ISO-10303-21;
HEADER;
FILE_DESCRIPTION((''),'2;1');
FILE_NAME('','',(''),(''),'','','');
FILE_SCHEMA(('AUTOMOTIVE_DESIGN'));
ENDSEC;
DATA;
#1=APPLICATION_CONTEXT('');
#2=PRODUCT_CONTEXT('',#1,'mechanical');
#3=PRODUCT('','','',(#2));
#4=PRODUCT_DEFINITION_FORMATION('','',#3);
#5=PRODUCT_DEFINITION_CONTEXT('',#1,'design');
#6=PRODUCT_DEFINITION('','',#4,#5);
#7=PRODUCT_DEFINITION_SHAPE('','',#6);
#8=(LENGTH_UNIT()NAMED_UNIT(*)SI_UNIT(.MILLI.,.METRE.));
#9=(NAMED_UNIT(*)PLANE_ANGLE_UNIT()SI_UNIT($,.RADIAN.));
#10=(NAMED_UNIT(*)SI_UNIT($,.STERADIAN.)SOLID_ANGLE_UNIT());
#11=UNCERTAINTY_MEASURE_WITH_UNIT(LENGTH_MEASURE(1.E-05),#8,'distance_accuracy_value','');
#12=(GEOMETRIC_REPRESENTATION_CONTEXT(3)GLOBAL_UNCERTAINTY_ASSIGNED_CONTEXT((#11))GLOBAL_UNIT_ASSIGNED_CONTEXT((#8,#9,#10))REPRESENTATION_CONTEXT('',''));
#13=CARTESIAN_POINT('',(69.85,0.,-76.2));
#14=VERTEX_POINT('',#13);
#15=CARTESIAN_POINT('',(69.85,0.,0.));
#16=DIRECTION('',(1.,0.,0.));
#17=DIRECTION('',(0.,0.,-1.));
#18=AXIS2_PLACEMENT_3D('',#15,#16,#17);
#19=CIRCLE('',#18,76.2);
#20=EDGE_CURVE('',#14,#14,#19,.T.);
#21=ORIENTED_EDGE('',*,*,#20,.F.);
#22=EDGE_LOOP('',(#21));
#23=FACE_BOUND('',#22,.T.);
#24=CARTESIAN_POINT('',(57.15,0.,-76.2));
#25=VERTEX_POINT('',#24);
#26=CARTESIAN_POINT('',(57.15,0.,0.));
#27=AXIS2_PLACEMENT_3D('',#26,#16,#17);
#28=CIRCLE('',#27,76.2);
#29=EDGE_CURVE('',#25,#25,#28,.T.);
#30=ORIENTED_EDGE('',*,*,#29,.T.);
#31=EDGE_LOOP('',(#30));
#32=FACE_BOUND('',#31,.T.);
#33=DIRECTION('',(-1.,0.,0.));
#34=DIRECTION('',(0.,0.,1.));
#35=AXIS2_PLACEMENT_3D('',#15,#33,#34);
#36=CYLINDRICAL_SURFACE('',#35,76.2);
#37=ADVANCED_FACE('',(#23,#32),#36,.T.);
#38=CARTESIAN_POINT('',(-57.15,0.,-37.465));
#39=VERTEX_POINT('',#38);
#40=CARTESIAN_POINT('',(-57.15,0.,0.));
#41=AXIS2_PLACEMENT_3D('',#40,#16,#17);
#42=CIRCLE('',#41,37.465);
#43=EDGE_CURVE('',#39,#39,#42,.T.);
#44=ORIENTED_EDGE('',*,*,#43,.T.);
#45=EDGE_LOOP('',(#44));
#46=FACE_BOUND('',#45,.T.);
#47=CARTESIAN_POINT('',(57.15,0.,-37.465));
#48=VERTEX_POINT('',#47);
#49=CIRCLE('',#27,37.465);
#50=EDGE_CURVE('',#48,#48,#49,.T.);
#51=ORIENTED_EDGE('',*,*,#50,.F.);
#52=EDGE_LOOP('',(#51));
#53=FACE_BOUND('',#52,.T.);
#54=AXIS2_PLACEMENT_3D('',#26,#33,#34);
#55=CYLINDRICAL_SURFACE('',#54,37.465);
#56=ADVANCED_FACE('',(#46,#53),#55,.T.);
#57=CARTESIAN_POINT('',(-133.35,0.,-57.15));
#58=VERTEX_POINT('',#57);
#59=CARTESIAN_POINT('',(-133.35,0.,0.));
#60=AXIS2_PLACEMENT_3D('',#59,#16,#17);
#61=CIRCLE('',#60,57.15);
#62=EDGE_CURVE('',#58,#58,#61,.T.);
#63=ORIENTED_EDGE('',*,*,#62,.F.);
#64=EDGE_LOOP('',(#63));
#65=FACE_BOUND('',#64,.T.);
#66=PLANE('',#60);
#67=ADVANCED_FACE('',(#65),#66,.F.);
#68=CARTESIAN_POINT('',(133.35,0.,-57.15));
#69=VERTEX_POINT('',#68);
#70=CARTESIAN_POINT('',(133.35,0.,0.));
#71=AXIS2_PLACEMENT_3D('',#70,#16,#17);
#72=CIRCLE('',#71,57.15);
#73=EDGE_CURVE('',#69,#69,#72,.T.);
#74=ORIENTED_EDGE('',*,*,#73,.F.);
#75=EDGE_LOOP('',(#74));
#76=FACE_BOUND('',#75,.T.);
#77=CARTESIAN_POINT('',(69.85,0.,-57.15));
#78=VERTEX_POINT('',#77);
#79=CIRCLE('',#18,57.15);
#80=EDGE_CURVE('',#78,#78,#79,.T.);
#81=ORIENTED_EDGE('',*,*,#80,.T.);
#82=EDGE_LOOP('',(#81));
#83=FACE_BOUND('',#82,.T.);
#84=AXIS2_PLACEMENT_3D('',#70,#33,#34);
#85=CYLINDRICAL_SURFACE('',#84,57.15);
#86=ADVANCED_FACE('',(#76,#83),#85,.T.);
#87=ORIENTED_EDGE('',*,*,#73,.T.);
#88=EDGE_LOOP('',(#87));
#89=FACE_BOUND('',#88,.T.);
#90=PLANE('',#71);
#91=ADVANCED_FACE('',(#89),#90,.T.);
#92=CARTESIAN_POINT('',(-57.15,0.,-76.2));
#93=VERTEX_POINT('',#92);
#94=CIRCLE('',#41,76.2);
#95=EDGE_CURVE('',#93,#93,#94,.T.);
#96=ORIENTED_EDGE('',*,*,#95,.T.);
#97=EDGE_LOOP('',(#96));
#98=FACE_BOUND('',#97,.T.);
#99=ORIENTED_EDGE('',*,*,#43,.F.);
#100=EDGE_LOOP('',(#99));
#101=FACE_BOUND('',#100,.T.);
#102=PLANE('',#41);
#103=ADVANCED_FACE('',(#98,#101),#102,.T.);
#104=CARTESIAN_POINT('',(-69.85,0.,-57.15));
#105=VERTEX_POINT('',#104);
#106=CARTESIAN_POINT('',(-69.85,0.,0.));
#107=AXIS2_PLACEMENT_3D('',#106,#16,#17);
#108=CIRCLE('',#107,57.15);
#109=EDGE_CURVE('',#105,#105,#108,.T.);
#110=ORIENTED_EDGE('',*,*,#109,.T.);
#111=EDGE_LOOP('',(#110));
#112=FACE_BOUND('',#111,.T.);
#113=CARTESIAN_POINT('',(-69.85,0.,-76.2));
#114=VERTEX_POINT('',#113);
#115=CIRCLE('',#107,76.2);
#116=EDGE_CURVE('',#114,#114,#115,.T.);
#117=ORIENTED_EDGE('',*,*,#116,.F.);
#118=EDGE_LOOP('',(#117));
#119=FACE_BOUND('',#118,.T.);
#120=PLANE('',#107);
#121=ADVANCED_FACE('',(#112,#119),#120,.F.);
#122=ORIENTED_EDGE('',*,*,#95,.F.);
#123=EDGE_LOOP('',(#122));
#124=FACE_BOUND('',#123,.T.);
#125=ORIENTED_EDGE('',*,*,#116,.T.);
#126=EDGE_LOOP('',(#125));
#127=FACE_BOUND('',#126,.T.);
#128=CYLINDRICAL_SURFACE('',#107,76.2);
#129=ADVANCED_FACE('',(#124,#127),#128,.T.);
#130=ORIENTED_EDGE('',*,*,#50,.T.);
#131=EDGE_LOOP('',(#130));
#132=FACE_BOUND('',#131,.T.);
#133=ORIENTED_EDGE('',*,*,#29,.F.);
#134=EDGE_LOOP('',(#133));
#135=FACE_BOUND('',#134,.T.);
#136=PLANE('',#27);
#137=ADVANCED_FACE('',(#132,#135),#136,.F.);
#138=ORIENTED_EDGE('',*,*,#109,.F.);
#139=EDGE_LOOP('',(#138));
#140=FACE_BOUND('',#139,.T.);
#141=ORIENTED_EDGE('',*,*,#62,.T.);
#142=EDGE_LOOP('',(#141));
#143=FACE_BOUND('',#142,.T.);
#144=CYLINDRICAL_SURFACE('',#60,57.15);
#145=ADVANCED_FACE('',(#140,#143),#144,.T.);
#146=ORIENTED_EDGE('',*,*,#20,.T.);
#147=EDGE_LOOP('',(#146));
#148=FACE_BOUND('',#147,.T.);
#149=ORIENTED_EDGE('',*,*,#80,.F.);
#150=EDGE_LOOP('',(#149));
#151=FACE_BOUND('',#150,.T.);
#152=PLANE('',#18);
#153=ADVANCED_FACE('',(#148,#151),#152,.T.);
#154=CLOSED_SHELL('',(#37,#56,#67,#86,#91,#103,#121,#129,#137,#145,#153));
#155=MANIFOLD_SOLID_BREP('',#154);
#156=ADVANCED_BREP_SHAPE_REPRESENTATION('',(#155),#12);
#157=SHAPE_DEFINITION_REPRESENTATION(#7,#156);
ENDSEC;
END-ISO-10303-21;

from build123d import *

# Parameters (mm, degrees)
SKETCH1_R           = 37.465
BOSS_EXTRUDE1_DEPTH = 57.15
BOSS_EXTRUDE2_START = 69.85
SKETCH1_3_R         = 76.2
SKETCH1_3_R_2       = 57.15
SKETCH1_3_R_3       = 37.465
BOSS_EXTRUDE2_DEPTH = 12.7
BOSS_EXTRUDE3_START = 133.35
SKETCH1_4_R         = 57.15
SKETCH1_4_R_2       = 37.465
BOSS_EXTRUDE3_DEPTH = 63.5
BOSS_EXTRUDE4_START = -57.15
SKETCH1_5_R         = 76.2
SKETCH1_5_R_2       = 57.15
SKETCH1_5_R_3       = 37.465
BOSS_EXTRUDE4_DEPTH = 12.7
BOSS_EXTRUDE5_START = -69.85
SKETCH1_6_R         = 57.15
SKETCH1_6_R_2       = 37.465
BOSS_EXTRUDE5_DEPTH = 63.5


with BuildPart() as part:
    # Sketch1 → Boss-Extrude1 (new, symmetric)
    with BuildSketch(Plane(origin=(0, 0, 0), x_dir=(0, 0, -1), z_dir=(1, 0, 0))):
        Circle(SKETCH1_R)
    extrude(amount=BOSS_EXTRUDE1_DEPTH, both=True)

    # Sketch1<3> → Boss-Extrude2 (add)
    # profile 1 of 3: a face of its own
    with BuildSketch(Plane(origin=(0, 0, 0), x_dir=(0, 0, -1), z_dir=(1, 0, 0)).offset(BOSS_EXTRUDE2_START)):
        Circle(SKETCH1_3_R)
        Circle(SKETCH1_3_R_2, mode=Mode.SUBTRACT)
    # profile 2 of 3: a face of its own
    with BuildSketch(Plane(origin=(0, 0, 0), x_dir=(0, 0, -1), z_dir=(1, 0, 0)).offset(BOSS_EXTRUDE2_START)):
        Circle(SKETCH1_3_R_2)
        Circle(SKETCH1_3_R_3, mode=Mode.SUBTRACT)
    # profile 3 of 3: a face of its own
    with BuildSketch(Plane(origin=(0, 0, 0), x_dir=(0, 0, -1), z_dir=(1, 0, 0)).offset(BOSS_EXTRUDE2_START)):
        Circle(SKETCH1_3_R_3)
    extrude(amount=-BOSS_EXTRUDE2_DEPTH)

    # Sketch1<4> → Boss-Extrude3 (add)
    # profile 1 of 2: a face of its own
    with BuildSketch(Plane(origin=(0, 0, 0), x_dir=(0, 0, -1), z_dir=(1, 0, 0)).offset(BOSS_EXTRUDE3_START)):
        Circle(SKETCH1_4_R)
        Circle(SKETCH1_4_R_2, mode=Mode.SUBTRACT)
    # profile 2 of 2: a face of its own
    with BuildSketch(Plane(origin=(0, 0, 0), x_dir=(0, 0, -1), z_dir=(1, 0, 0)).offset(BOSS_EXTRUDE3_START)):
        Circle(SKETCH1_4_R_2)
    extrude(amount=-BOSS_EXTRUDE3_DEPTH)

    # Sketch1<5> → Boss-Extrude4 (add)
    # profile 1 of 3: a face of its own
    with BuildSketch(Plane(origin=(0, 0, 0), x_dir=(0, 0, -1), z_dir=(1, 0, 0)).offset(BOSS_EXTRUDE4_START)):
        Circle(SKETCH1_5_R)
        Circle(SKETCH1_5_R_2, mode=Mode.SUBTRACT)
    # profile 2 of 3: a face of its own
    with BuildSketch(Plane(origin=(0, 0, 0), x_dir=(0, 0, -1), z_dir=(1, 0, 0)).offset(BOSS_EXTRUDE4_START)):
        Circle(SKETCH1_5_R_2)
        Circle(SKETCH1_5_R_3, mode=Mode.SUBTRACT)
    # profile 3 of 3: a face of its own
    with BuildSketch(Plane(origin=(0, 0, 0), x_dir=(0, 0, -1), z_dir=(1, 0, 0)).offset(BOSS_EXTRUDE4_START)):
        Circle(SKETCH1_5_R_3)
    extrude(amount=-BOSS_EXTRUDE4_DEPTH)

    # Sketch1<6> → Boss-Extrude5 (add)
    # profile 1 of 2: a face of its own
    with BuildSketch(Plane(origin=(0, 0, 0), x_dir=(0, 0, -1), z_dir=(1, 0, 0)).offset(BOSS_EXTRUDE5_START)):
        Circle(SKETCH1_6_R)
        Circle(SKETCH1_6_R_2, mode=Mode.SUBTRACT)
    # profile 2 of 2: a face of its own
    with BuildSketch(Plane(origin=(0, 0, 0), x_dir=(0, 0, -1), z_dir=(1, 0, 0)).offset(BOSS_EXTRUDE5_START)):
        Circle(SKETCH1_6_R_2)
    extrude(amount=-BOSS_EXTRUDE5_DEPTH)


solid = part.part
